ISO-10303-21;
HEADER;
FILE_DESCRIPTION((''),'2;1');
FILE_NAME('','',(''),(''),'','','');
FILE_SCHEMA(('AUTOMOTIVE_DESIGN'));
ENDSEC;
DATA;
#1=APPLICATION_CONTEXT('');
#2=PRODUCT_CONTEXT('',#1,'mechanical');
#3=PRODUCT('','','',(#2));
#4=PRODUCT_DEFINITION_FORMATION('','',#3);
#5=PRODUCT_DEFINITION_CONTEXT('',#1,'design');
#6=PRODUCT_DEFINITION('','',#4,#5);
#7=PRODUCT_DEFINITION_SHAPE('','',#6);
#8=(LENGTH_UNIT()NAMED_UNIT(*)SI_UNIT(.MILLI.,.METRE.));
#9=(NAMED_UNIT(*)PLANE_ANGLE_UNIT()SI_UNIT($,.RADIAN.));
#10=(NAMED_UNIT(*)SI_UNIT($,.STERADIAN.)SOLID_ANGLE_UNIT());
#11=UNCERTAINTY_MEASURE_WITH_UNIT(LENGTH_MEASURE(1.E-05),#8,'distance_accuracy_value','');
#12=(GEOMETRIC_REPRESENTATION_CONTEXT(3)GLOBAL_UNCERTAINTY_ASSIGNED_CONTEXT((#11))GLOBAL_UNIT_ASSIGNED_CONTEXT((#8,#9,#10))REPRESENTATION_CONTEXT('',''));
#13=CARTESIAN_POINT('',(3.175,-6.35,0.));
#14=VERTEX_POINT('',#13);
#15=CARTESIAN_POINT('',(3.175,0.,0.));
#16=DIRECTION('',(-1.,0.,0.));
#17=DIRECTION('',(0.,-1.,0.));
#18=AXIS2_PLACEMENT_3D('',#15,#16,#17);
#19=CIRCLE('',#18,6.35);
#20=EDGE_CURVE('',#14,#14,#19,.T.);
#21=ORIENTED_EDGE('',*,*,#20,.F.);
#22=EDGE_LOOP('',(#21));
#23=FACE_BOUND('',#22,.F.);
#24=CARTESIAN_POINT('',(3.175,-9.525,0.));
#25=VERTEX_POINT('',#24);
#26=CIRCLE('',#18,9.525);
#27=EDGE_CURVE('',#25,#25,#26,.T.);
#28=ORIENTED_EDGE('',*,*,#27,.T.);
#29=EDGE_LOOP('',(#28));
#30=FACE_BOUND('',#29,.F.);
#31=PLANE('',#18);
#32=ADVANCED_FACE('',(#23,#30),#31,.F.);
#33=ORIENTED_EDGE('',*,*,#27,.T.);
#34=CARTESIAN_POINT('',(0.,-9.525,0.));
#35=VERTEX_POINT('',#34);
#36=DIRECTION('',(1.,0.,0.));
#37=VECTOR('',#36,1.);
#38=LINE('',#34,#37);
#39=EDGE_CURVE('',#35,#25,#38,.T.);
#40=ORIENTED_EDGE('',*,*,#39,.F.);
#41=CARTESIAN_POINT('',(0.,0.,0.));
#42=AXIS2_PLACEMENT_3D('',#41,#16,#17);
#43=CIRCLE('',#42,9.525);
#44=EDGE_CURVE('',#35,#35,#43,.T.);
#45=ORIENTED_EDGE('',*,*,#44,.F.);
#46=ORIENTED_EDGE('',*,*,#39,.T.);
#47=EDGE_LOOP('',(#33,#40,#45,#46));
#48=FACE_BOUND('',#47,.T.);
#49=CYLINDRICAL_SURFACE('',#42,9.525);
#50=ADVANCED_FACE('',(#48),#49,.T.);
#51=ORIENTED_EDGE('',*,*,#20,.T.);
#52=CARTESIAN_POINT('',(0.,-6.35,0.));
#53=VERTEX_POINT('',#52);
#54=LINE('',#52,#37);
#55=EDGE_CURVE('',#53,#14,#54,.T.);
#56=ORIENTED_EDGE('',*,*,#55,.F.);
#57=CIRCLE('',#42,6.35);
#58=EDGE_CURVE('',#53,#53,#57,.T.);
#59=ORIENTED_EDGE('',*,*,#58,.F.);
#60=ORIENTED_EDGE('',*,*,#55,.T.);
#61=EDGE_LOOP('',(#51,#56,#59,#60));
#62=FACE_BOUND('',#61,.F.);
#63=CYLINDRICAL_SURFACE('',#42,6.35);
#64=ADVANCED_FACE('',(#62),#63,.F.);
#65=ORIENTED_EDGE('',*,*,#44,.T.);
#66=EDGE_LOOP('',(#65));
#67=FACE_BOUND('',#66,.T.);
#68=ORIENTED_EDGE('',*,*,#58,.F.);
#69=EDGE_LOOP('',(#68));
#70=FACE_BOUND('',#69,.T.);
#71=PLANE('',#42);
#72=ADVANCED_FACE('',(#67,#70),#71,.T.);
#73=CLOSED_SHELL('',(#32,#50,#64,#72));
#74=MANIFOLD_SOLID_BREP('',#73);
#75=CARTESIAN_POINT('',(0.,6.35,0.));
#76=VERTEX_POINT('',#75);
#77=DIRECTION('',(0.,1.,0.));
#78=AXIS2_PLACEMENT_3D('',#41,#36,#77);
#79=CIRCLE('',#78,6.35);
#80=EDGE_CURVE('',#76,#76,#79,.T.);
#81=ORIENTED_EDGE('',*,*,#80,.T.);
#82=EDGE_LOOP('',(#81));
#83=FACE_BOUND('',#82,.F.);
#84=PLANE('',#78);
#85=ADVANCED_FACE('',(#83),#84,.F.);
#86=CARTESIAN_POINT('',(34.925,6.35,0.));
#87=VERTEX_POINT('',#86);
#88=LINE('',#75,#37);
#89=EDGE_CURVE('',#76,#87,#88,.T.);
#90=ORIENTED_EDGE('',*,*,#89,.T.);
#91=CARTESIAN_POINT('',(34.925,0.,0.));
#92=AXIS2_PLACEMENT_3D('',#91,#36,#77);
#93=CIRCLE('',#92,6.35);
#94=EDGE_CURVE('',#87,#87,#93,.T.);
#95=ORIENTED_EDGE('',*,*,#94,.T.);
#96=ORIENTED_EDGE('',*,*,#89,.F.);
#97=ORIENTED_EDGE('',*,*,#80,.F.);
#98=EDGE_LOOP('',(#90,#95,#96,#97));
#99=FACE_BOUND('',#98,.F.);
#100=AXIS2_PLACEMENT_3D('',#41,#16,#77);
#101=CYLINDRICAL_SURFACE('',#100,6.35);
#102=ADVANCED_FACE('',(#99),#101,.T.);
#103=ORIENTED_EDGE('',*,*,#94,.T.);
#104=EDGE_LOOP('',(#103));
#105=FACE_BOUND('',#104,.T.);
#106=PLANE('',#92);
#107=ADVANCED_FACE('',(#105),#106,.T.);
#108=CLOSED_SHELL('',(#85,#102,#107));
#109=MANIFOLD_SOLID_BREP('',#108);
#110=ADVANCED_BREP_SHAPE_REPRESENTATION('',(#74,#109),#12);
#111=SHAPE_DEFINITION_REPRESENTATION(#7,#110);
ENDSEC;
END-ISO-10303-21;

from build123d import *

# Parameters (mm, degrees)
F0_R     = 6.35
F1_DEPTH = 34.925
F2_R     = 9.525
F2_R_2   = 6.35
F3_DEPTH = 3.175


with BuildPart() as f1:
    # F0 (on Right) → F1 (new body)
    with BuildSketch(Plane.YZ):
        Circle(F0_R)
    extrude(amount=F1_DEPTH)


with BuildPart() as f3:
    # F2 (on face) → F3 (new body)
    with BuildSketch(Plane(origin=(0, 0, 0), x_dir=(0, -1, 0), z_dir=(-1, 0, 0))):
        Circle(F2_R)
        Circle(F2_R_2, mode=Mode.SUBTRACT)
    extrude(amount=-F3_DEPTH)


solid = Compound([f1.part, f3.part])
